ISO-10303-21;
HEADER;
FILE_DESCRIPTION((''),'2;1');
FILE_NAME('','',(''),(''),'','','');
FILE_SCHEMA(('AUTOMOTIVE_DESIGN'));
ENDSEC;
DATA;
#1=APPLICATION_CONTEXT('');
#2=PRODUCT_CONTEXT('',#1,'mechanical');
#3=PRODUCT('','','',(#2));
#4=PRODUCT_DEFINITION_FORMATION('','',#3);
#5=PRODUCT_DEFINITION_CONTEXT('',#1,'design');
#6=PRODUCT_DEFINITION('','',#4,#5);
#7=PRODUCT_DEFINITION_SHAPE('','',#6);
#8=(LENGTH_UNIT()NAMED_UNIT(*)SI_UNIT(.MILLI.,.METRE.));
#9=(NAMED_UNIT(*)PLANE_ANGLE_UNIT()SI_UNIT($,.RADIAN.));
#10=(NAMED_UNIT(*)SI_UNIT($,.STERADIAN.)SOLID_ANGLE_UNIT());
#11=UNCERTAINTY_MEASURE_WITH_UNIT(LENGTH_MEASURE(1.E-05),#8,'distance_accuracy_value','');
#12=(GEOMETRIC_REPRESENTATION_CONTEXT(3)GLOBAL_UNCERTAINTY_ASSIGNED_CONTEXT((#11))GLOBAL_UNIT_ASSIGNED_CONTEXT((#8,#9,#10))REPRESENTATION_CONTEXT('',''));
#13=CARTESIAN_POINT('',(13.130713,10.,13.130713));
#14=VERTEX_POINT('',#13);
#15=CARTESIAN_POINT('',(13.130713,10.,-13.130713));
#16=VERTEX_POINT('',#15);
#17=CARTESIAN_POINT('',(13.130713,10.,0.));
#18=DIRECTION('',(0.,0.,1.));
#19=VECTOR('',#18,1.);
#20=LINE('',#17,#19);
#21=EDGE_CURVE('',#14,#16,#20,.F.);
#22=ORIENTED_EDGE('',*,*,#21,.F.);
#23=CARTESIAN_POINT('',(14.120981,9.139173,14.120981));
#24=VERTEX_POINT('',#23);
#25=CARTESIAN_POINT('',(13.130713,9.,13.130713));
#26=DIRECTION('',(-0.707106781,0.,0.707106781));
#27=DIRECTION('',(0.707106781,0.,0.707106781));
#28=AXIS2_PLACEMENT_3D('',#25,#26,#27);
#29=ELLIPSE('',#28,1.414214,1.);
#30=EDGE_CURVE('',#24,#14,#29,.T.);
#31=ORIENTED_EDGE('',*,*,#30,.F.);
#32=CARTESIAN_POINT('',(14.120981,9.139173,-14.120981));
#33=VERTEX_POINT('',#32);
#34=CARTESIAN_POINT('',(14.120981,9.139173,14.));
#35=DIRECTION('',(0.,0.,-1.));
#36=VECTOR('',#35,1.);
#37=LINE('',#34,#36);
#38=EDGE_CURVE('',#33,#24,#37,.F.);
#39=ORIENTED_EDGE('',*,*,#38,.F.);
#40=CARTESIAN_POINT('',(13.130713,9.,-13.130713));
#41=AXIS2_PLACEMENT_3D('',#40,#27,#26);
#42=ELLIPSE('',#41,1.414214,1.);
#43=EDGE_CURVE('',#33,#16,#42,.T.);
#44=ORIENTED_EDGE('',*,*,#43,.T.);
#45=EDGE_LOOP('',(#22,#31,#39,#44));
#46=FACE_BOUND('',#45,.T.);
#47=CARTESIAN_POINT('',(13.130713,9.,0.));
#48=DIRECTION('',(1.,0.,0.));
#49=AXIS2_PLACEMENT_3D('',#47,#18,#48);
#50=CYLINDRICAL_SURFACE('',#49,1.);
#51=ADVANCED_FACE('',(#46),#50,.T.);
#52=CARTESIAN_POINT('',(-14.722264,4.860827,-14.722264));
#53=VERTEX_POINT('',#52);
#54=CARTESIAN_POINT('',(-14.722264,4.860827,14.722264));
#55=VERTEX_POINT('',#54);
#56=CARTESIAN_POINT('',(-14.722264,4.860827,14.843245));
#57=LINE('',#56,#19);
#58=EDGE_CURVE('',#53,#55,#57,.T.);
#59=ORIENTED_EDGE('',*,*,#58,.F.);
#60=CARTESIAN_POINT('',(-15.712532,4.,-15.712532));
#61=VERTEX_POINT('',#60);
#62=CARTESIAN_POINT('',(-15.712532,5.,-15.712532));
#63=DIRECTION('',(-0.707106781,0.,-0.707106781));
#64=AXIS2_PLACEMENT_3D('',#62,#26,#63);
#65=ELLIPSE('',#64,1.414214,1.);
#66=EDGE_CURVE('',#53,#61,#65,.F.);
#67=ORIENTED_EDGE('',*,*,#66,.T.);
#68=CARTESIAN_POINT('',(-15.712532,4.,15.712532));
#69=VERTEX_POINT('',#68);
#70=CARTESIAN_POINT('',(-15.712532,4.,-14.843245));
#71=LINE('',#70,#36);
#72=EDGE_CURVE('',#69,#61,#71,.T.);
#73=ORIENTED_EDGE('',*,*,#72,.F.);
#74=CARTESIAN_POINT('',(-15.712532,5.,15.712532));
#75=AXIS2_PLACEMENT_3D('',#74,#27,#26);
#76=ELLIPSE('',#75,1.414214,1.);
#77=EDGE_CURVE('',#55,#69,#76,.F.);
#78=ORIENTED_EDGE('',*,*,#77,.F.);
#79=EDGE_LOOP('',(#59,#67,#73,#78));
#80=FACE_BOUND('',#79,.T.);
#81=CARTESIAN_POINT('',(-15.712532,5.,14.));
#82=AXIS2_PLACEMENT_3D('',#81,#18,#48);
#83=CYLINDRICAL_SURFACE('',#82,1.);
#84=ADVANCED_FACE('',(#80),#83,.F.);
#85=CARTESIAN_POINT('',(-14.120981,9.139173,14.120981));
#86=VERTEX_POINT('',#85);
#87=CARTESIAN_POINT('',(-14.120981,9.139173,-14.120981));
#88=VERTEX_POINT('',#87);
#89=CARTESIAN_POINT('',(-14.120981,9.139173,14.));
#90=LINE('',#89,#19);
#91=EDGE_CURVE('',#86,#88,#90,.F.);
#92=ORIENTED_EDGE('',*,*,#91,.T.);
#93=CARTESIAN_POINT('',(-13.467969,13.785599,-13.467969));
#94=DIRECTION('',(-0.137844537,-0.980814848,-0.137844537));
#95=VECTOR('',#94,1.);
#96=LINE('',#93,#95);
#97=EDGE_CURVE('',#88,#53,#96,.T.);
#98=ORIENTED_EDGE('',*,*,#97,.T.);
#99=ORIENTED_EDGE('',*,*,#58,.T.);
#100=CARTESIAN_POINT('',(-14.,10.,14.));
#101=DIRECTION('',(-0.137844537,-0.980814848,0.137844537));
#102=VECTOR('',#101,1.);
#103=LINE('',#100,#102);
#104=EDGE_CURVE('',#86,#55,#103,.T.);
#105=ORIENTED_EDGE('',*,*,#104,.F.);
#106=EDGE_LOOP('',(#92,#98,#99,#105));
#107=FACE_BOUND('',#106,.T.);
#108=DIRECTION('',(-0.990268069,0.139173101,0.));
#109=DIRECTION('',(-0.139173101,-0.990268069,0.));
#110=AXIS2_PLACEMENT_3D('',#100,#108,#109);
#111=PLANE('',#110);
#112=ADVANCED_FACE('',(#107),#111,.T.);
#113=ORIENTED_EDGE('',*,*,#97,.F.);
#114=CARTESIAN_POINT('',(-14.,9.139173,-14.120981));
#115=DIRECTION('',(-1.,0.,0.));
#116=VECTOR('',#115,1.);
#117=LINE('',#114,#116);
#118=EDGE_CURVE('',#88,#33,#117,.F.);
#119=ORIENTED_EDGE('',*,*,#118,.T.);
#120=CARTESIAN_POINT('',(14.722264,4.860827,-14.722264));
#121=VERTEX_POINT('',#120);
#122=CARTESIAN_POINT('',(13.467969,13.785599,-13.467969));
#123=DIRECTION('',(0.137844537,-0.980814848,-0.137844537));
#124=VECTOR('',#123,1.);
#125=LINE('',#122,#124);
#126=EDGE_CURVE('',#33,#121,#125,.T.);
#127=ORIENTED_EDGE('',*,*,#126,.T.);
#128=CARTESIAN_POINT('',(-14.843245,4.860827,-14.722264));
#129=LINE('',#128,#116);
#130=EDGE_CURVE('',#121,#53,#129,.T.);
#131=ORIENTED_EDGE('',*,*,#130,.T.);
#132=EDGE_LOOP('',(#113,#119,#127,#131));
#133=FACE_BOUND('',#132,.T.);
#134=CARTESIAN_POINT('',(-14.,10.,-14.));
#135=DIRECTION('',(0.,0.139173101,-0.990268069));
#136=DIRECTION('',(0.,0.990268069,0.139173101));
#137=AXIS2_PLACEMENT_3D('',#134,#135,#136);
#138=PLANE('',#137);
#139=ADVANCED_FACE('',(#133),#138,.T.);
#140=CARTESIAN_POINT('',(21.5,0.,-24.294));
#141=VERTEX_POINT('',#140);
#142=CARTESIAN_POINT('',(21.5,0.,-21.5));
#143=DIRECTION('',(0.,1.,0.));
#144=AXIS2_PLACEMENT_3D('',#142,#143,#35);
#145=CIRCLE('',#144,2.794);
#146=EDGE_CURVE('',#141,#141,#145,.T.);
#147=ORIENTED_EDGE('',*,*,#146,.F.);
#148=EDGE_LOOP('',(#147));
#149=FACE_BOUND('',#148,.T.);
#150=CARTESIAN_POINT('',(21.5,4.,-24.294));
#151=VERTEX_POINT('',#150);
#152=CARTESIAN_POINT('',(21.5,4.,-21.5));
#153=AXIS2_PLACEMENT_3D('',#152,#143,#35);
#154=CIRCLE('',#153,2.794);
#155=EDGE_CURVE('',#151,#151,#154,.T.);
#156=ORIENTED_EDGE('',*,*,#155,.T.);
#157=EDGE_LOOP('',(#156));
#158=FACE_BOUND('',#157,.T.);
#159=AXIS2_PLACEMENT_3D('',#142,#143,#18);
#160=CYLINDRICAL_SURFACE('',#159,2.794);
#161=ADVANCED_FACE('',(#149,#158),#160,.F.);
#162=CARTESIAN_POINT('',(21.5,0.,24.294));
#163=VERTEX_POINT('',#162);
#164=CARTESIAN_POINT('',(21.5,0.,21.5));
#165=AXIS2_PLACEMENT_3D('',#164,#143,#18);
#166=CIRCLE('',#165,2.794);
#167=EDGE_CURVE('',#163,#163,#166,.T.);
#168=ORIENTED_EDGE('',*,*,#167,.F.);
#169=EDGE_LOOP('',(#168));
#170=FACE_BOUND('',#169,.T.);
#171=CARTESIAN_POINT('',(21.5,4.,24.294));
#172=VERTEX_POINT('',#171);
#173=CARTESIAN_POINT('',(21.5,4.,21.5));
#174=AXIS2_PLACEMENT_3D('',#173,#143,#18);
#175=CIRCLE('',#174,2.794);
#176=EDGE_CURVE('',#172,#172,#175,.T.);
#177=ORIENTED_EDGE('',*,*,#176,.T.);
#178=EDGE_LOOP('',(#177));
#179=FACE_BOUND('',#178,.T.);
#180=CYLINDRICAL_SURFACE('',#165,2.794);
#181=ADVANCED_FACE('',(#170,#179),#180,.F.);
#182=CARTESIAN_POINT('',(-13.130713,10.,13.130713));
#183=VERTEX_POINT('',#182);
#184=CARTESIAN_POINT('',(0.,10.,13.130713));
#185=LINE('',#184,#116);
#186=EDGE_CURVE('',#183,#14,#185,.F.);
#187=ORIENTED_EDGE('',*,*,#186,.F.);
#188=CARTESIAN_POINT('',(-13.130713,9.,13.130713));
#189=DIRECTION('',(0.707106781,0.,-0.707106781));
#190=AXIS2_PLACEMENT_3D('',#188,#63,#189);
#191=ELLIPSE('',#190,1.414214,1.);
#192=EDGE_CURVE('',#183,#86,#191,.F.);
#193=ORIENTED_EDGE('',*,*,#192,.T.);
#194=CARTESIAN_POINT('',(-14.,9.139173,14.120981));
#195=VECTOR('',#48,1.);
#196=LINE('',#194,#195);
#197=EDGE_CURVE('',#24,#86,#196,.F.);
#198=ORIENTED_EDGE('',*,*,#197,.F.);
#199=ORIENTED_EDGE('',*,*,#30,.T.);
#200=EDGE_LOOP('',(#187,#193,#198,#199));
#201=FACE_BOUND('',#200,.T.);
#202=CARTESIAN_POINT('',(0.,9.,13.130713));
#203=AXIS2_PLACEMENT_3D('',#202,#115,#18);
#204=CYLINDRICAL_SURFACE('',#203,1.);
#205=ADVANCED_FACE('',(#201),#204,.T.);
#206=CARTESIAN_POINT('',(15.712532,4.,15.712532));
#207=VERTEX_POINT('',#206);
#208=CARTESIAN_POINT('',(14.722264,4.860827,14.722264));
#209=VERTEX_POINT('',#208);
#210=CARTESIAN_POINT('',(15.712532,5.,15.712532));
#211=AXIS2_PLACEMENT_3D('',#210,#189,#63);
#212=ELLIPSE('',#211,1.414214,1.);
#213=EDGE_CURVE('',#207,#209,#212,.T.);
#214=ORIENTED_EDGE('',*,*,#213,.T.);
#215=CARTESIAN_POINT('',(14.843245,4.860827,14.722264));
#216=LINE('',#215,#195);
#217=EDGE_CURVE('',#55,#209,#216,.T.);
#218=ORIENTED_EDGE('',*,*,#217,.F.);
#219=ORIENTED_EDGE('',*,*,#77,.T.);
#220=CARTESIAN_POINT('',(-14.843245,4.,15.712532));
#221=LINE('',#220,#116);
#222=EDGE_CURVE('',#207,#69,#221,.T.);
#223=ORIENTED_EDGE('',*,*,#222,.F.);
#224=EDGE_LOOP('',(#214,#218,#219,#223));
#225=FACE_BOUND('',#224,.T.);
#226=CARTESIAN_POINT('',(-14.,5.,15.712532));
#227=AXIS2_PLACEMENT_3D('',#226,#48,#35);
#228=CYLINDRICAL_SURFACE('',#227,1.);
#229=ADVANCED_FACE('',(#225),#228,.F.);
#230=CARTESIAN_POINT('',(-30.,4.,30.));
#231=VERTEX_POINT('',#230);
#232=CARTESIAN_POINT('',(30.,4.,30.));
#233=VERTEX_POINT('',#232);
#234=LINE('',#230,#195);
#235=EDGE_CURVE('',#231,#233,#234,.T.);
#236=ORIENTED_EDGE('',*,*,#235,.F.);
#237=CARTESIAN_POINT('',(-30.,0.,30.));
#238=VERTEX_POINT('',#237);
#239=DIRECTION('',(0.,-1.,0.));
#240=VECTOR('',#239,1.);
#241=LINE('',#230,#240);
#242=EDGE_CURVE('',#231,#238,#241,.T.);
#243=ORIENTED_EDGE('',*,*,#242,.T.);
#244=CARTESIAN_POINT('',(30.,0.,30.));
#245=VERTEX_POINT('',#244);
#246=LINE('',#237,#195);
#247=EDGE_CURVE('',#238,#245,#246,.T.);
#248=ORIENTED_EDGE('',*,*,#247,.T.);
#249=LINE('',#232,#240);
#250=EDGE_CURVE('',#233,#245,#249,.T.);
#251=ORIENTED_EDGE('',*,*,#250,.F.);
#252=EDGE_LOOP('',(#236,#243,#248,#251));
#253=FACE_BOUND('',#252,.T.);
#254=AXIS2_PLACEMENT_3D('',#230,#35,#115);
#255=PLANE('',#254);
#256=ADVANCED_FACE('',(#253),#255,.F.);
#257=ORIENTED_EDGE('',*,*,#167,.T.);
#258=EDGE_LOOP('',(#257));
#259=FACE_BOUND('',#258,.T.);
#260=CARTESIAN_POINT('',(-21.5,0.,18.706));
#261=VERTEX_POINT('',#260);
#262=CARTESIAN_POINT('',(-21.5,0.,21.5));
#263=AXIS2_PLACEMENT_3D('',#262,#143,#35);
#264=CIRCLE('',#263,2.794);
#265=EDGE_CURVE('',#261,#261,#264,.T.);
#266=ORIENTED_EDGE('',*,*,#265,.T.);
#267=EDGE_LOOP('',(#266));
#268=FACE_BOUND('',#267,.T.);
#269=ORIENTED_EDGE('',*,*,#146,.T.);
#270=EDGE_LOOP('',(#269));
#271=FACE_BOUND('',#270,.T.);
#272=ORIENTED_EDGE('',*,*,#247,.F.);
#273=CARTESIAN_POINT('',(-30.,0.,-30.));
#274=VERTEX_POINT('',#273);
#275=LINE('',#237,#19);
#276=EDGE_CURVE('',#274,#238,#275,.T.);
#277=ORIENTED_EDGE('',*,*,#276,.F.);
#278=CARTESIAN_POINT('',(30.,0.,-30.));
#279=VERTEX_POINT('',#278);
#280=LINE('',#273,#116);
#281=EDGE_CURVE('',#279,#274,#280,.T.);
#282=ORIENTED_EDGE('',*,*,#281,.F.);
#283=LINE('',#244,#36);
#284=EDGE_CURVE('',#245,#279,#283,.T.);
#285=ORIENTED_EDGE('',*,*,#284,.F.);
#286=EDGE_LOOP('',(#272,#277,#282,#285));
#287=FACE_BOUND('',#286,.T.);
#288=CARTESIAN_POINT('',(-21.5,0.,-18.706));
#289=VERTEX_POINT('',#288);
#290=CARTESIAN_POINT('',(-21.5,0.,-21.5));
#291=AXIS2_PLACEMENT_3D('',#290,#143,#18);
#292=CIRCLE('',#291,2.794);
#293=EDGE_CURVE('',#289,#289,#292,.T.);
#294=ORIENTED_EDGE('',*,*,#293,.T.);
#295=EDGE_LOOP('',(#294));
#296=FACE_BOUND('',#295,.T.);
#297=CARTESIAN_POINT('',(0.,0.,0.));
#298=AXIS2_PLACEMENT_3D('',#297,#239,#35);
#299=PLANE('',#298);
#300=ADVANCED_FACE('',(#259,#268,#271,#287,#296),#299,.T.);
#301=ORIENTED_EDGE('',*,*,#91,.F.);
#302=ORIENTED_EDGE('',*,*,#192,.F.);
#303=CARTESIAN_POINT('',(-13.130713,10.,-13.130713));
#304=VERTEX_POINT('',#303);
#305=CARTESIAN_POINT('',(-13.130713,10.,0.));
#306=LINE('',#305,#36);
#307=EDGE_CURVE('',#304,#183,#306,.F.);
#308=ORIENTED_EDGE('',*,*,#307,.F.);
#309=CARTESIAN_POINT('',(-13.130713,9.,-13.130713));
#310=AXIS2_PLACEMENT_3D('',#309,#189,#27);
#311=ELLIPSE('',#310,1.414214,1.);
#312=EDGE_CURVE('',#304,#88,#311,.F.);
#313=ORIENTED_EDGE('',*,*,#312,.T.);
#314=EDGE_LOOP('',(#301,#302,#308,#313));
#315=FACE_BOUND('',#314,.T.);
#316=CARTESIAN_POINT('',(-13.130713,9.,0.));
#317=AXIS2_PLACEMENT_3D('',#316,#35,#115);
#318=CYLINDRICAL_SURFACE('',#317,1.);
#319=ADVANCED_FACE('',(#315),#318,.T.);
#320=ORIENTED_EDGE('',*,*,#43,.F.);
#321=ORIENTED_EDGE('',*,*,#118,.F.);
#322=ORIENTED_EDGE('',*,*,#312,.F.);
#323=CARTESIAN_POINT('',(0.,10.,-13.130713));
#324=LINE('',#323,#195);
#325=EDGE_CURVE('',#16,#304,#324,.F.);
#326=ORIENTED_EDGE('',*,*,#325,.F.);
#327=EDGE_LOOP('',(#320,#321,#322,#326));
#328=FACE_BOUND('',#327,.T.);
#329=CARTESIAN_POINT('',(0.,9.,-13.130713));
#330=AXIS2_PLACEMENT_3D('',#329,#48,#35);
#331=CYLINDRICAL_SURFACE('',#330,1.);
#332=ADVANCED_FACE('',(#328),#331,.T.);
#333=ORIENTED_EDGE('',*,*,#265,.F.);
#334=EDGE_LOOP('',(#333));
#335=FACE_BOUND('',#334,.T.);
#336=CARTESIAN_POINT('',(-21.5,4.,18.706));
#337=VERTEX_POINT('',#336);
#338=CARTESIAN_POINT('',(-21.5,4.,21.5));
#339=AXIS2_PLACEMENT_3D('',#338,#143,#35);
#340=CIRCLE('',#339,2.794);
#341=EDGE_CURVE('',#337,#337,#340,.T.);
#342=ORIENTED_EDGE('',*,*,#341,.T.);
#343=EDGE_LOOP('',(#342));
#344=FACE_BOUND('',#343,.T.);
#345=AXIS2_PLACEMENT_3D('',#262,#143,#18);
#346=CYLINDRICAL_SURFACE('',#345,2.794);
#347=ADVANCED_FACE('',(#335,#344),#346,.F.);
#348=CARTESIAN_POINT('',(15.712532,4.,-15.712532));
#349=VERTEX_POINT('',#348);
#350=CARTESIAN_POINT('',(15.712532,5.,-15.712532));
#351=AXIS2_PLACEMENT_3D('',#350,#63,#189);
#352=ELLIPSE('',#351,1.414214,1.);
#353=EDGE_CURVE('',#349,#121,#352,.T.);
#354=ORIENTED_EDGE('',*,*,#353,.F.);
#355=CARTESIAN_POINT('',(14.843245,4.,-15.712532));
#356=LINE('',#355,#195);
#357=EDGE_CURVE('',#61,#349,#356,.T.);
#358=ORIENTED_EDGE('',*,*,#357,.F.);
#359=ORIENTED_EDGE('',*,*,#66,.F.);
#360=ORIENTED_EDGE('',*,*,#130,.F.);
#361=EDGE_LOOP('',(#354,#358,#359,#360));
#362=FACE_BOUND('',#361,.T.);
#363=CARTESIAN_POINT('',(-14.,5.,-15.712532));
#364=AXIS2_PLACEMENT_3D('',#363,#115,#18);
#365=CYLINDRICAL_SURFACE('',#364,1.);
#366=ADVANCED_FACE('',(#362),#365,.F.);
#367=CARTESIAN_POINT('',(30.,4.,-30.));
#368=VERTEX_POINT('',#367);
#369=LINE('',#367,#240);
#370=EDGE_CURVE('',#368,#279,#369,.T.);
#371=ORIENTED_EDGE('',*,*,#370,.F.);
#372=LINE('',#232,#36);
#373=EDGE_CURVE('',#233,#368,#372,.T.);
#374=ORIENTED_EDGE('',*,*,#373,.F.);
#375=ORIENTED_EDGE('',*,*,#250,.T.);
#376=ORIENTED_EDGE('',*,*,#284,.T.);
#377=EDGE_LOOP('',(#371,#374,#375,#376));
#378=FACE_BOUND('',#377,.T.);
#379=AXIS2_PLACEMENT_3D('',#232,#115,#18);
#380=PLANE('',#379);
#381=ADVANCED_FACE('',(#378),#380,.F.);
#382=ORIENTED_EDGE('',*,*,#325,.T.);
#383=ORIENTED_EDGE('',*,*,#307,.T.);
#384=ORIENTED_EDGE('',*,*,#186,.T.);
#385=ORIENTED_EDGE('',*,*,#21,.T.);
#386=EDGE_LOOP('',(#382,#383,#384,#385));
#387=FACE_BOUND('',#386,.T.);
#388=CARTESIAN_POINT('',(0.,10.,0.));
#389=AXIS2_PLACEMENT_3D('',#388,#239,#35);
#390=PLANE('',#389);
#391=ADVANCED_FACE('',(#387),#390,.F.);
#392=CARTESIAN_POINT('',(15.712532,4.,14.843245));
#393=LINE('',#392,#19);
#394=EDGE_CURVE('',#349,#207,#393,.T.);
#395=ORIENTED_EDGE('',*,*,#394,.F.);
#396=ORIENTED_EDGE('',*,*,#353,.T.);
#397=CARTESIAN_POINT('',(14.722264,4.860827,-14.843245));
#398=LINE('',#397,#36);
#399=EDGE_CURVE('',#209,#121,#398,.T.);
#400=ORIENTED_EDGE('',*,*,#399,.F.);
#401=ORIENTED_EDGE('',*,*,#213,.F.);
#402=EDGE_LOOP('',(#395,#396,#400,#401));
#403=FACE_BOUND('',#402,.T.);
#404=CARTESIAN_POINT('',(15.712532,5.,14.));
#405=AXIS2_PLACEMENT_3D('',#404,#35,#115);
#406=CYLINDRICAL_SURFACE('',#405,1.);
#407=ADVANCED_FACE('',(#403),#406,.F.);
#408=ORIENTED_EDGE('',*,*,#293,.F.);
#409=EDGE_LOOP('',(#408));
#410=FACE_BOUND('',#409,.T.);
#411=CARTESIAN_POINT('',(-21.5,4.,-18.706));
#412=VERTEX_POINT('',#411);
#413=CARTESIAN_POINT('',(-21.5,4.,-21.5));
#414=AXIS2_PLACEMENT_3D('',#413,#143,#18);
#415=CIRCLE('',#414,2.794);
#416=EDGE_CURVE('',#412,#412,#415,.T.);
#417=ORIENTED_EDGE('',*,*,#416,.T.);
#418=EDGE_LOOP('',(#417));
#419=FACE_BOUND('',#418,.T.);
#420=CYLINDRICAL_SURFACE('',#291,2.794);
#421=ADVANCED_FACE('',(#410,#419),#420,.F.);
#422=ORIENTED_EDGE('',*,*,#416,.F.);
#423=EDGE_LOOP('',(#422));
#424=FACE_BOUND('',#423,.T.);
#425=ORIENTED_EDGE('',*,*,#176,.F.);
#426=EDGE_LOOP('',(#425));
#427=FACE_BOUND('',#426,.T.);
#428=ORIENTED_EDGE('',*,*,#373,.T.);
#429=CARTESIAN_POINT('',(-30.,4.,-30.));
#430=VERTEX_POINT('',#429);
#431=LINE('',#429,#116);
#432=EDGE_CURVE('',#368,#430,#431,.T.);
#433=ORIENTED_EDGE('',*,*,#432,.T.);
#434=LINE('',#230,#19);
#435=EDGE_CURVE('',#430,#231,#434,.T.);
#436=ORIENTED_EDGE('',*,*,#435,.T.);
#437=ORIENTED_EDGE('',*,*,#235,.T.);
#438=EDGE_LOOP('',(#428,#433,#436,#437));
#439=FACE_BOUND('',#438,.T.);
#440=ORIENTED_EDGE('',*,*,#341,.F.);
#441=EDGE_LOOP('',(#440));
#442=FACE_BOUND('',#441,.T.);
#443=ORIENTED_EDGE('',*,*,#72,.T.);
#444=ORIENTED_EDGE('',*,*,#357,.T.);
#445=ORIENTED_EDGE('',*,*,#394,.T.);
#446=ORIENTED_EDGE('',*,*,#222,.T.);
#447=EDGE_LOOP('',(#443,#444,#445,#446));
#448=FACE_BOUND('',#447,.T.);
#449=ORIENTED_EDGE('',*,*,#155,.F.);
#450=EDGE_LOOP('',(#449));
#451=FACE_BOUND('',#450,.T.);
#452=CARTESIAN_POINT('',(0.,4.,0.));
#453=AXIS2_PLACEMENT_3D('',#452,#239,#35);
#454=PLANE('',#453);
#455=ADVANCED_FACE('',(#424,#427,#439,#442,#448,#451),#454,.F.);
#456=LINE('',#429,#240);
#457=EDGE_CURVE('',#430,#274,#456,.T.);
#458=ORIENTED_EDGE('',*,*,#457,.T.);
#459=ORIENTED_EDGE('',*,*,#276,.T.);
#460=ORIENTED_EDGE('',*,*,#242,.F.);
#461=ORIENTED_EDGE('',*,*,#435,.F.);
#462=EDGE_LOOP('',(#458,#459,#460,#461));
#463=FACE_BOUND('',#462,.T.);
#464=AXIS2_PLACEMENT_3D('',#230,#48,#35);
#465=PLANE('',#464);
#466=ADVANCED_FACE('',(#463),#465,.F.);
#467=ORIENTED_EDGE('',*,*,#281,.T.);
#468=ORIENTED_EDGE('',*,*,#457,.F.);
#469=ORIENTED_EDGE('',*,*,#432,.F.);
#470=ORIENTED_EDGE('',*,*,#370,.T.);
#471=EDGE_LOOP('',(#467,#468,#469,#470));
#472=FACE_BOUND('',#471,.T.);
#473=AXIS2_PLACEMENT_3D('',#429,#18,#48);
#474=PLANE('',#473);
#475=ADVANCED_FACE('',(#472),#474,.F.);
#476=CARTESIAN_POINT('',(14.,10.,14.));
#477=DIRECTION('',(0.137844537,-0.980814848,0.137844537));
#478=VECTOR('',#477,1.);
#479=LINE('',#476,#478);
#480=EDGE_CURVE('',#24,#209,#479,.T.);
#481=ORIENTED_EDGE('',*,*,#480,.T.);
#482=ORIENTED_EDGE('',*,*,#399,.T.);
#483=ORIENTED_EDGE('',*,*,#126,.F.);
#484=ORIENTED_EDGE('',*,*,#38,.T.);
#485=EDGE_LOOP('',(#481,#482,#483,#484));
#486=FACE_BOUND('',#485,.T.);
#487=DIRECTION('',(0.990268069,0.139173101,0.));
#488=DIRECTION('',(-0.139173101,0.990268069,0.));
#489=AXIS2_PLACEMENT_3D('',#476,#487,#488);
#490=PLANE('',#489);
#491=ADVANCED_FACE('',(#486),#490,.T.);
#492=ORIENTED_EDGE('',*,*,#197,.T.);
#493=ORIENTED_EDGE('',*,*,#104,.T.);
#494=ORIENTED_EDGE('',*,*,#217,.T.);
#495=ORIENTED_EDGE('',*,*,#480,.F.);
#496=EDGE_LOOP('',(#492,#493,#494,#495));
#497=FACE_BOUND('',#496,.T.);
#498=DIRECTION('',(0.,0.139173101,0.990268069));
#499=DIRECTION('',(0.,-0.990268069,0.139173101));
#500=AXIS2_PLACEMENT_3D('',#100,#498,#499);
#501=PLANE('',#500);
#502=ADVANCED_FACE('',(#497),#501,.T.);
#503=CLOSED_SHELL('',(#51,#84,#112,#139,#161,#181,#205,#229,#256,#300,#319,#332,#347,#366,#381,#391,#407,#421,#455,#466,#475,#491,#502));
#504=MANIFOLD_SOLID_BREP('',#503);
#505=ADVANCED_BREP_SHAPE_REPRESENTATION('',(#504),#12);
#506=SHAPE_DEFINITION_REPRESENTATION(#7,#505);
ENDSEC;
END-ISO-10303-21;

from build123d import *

# Parameters (mm, degrees)
SKETCH1_W           = 60
SKETCH1_H           = 60
BOSS_EXTRUDE1_DEPTH = 4
SKETCH2_W           = 28
SKETCH2_H           = 28
BOSS_EXTRUDE2_DEPTH = 6
DRAFT1_ANGLE        = 8
FILLET1_R           = 1
SKETCH3_R           = 2.794
CUT_EXTRUDE1_DEPTH  = 43.848570571


with BuildPart() as part:
    # Sketch1 → Boss-Extrude1 (new body)
    with BuildSketch(Plane(origin=(0, 0, 0), x_dir=(1, 0, 0), z_dir=(0, 1, 0))):
        Rectangle(SKETCH1_W, SKETCH1_H)
    extrude(amount=BOSS_EXTRUDE1_DEPTH)

    # Sketch2 → Boss-Extrude2 (add)
    with BuildSketch(Plane(origin=(0, 4, 0), x_dir=(1, 0, 0), z_dir=(0, 1, 0))):
        Rectangle(SKETCH2_W, SKETCH2_H)
    extrude(amount=BOSS_EXTRUDE2_DEPTH)

    # Draft1
    draft1_faces = [part.faces().sort_by_distance(p)[0] for p in [
        (-14, 7, 0),
        (0, 7, -14),
        (14, 7, 0),
        (0, 7, 14),
    ]]
    draft(draft1_faces, Plane.ZX.offset(10), DRAFT1_ANGLE)

    # Fillet1
    fillet1_edges = [part.edges().sort_by_distance(p)[0] for p in [
        (14.843245008, 4, 0),
        (0, 4, -14.843245008),
        (-14.843245008, 4, 0),
        (0, 4, 14.843245008),
        (14, 10, 0),
        (0, 10, -14),
        (-14, 10, 0),
        (0, 10, 14),
    ]]
    fillet(fillet1_edges, radius=FILLET1_R)

    # Sketch3 → Cut-Extrude1 (cut, through all)
    with BuildSketch(Plane(origin=(0, 4, 0), x_dir=(1, 0, 0), z_dir=(0, 1, 0))):
        with Locations(Location((-21.5, 21.5, 0), (0, 0, 270))):
            Circle(SKETCH3_R)
        with Locations(Location((21.5, 21.5, 0), (0, 0, 90))):
            Circle(SKETCH3_R)
        with Locations(Location((21.5, -21.5, 0), (0, 0, 270))):
            Circle(SKETCH3_R)
        with Locations(Location((-21.5, -21.5, 0), (0, 0, 90))):
            Circle(SKETCH3_R)
    extrude(amount=-CUT_EXTRUDE1_DEPTH, mode=Mode.SUBTRACT)


solid = part.part
